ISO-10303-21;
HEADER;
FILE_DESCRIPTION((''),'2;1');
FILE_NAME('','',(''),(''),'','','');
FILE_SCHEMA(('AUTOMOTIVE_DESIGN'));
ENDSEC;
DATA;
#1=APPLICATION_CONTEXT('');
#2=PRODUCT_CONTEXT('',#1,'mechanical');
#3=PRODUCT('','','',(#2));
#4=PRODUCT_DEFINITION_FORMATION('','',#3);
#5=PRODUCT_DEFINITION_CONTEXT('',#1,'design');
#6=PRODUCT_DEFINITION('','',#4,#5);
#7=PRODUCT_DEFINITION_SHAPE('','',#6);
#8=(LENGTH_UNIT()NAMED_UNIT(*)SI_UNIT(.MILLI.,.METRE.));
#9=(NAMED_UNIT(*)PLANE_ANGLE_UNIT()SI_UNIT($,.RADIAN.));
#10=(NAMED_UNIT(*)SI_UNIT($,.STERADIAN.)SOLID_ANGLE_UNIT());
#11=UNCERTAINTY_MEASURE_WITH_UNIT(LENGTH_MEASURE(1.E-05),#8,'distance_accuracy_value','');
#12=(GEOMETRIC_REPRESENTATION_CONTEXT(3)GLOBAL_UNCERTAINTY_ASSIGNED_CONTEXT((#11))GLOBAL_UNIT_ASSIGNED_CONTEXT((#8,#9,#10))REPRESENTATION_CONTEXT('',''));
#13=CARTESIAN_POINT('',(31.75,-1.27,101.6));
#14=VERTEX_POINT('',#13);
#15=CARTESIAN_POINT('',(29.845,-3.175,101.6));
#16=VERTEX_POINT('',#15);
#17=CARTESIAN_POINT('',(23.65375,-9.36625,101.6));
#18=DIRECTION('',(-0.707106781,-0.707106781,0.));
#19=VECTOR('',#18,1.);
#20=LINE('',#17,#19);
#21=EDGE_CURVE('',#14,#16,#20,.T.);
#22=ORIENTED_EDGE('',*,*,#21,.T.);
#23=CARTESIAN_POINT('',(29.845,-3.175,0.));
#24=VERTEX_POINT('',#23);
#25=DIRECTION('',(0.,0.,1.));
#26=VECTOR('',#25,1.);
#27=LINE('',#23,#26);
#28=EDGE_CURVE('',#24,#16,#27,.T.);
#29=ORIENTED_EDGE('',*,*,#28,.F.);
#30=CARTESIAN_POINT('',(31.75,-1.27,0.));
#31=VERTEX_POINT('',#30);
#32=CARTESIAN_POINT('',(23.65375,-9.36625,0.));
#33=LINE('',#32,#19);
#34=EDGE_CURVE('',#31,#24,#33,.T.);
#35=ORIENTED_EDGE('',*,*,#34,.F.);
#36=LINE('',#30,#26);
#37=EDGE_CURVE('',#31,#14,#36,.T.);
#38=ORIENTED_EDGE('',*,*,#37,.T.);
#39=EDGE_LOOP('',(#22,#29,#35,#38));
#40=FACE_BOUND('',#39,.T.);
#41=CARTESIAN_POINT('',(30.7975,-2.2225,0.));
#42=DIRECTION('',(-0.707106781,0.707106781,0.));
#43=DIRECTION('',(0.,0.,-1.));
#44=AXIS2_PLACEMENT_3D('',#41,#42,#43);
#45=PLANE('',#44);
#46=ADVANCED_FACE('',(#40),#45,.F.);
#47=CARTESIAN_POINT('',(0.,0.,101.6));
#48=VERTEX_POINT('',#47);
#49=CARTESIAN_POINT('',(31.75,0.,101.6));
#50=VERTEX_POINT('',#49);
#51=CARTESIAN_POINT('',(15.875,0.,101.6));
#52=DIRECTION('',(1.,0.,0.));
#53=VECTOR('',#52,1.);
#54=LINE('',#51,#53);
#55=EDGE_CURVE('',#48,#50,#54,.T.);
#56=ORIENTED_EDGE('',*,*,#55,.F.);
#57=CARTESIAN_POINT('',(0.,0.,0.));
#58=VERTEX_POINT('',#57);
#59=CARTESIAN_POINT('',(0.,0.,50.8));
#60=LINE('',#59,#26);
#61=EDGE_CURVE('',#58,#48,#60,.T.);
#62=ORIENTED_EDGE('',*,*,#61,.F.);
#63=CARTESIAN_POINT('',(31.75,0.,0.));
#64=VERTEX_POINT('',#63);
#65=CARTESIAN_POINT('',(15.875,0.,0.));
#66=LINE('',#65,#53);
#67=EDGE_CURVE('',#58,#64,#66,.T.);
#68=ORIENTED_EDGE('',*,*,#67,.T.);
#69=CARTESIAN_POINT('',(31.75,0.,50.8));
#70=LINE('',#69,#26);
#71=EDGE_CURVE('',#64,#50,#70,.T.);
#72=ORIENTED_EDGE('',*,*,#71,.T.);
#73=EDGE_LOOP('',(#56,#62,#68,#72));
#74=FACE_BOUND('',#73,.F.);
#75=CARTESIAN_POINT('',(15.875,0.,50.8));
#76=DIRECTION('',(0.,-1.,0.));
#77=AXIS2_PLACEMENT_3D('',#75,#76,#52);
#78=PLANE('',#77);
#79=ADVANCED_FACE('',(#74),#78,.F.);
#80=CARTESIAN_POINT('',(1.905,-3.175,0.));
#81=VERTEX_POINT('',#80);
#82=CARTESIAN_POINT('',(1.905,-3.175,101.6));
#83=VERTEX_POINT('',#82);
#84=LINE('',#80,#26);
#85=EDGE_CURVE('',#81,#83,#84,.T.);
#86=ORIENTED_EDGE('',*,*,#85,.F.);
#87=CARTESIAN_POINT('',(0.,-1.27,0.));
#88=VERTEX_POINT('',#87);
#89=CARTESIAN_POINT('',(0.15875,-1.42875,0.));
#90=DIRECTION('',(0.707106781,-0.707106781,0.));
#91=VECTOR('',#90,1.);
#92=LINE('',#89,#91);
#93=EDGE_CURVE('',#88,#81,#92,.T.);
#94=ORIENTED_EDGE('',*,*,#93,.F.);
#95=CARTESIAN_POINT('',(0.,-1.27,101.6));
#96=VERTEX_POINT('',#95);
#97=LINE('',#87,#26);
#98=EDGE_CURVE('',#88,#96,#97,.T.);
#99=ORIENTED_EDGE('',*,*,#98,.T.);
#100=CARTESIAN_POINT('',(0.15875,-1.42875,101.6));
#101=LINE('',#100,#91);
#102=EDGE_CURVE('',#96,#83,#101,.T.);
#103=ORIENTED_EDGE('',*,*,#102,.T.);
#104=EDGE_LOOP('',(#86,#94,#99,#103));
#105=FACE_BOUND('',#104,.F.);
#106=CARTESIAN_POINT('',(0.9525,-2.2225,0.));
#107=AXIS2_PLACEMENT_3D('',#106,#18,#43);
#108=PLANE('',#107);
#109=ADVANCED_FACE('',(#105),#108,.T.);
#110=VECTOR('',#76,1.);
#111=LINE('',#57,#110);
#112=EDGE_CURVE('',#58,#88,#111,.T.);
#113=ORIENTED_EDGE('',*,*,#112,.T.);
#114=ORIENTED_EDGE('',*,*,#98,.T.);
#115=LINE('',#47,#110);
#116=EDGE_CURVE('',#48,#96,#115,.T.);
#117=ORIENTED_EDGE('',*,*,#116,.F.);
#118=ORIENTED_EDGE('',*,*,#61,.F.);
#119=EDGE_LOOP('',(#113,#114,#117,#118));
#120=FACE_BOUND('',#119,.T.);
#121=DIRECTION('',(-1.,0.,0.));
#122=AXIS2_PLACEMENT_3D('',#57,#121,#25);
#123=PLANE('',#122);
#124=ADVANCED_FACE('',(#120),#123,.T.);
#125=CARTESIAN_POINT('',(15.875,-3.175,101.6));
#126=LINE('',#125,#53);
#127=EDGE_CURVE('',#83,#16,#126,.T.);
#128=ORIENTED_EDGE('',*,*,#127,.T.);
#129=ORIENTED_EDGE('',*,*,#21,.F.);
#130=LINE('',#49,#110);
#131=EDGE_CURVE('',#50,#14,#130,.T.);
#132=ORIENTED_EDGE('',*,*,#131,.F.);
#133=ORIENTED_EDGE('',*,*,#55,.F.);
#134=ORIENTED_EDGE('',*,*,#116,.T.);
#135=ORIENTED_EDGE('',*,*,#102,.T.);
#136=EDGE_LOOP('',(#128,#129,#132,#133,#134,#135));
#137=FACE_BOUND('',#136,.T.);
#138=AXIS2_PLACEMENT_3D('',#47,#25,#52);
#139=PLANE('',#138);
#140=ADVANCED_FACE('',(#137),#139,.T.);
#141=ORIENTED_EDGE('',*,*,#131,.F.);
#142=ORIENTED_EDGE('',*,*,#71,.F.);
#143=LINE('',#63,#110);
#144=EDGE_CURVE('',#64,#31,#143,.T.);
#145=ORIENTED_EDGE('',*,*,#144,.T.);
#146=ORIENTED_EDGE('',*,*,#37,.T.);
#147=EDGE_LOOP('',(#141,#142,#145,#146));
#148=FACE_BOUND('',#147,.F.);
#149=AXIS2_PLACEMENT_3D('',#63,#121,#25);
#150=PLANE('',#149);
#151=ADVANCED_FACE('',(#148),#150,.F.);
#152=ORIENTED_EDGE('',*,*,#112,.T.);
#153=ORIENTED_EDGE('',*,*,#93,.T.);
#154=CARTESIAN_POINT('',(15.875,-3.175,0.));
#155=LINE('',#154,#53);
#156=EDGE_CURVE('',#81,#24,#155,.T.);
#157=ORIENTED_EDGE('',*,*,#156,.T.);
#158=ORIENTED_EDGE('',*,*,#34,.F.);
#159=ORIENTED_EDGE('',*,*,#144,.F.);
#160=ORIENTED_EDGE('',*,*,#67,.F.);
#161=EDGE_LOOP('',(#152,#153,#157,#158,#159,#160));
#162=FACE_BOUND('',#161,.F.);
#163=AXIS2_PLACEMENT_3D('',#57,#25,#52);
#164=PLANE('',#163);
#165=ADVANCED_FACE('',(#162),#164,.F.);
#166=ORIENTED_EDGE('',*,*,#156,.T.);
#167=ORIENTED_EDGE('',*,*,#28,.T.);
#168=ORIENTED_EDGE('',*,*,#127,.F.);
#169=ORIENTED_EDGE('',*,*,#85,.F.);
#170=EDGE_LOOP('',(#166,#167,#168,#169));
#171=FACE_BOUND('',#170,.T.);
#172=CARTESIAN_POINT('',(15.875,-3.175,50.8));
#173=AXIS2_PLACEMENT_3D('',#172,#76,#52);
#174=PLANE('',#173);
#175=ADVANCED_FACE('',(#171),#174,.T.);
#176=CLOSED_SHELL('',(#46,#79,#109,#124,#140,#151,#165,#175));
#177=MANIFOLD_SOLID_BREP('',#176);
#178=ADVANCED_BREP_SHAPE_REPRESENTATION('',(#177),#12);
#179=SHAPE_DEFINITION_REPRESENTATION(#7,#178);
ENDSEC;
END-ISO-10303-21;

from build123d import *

# Parameters (mm, degrees)
F0_W     = 31.75
F0_H     = 101.6
F1_DEPTH = 3.175
F2_SIZE  = 1.905


with BuildPart() as f1:
    # F0 (on Front) → F1 (new body)
    with BuildSketch(Plane.XZ):
        with Locations((15.875, 50.8)):
            Rectangle(F0_W, F0_H)
    extrude(amount=F1_DEPTH)

    # F2
    f2_edges = [f1.edges().sort_by_distance(p)[0] for p in [
        (0, -3.175, 50.8),
        (31.75, -3.175, 50.8),
    ]]
    chamfer(f2_edges, length=F2_SIZE)


solid = f1.part
